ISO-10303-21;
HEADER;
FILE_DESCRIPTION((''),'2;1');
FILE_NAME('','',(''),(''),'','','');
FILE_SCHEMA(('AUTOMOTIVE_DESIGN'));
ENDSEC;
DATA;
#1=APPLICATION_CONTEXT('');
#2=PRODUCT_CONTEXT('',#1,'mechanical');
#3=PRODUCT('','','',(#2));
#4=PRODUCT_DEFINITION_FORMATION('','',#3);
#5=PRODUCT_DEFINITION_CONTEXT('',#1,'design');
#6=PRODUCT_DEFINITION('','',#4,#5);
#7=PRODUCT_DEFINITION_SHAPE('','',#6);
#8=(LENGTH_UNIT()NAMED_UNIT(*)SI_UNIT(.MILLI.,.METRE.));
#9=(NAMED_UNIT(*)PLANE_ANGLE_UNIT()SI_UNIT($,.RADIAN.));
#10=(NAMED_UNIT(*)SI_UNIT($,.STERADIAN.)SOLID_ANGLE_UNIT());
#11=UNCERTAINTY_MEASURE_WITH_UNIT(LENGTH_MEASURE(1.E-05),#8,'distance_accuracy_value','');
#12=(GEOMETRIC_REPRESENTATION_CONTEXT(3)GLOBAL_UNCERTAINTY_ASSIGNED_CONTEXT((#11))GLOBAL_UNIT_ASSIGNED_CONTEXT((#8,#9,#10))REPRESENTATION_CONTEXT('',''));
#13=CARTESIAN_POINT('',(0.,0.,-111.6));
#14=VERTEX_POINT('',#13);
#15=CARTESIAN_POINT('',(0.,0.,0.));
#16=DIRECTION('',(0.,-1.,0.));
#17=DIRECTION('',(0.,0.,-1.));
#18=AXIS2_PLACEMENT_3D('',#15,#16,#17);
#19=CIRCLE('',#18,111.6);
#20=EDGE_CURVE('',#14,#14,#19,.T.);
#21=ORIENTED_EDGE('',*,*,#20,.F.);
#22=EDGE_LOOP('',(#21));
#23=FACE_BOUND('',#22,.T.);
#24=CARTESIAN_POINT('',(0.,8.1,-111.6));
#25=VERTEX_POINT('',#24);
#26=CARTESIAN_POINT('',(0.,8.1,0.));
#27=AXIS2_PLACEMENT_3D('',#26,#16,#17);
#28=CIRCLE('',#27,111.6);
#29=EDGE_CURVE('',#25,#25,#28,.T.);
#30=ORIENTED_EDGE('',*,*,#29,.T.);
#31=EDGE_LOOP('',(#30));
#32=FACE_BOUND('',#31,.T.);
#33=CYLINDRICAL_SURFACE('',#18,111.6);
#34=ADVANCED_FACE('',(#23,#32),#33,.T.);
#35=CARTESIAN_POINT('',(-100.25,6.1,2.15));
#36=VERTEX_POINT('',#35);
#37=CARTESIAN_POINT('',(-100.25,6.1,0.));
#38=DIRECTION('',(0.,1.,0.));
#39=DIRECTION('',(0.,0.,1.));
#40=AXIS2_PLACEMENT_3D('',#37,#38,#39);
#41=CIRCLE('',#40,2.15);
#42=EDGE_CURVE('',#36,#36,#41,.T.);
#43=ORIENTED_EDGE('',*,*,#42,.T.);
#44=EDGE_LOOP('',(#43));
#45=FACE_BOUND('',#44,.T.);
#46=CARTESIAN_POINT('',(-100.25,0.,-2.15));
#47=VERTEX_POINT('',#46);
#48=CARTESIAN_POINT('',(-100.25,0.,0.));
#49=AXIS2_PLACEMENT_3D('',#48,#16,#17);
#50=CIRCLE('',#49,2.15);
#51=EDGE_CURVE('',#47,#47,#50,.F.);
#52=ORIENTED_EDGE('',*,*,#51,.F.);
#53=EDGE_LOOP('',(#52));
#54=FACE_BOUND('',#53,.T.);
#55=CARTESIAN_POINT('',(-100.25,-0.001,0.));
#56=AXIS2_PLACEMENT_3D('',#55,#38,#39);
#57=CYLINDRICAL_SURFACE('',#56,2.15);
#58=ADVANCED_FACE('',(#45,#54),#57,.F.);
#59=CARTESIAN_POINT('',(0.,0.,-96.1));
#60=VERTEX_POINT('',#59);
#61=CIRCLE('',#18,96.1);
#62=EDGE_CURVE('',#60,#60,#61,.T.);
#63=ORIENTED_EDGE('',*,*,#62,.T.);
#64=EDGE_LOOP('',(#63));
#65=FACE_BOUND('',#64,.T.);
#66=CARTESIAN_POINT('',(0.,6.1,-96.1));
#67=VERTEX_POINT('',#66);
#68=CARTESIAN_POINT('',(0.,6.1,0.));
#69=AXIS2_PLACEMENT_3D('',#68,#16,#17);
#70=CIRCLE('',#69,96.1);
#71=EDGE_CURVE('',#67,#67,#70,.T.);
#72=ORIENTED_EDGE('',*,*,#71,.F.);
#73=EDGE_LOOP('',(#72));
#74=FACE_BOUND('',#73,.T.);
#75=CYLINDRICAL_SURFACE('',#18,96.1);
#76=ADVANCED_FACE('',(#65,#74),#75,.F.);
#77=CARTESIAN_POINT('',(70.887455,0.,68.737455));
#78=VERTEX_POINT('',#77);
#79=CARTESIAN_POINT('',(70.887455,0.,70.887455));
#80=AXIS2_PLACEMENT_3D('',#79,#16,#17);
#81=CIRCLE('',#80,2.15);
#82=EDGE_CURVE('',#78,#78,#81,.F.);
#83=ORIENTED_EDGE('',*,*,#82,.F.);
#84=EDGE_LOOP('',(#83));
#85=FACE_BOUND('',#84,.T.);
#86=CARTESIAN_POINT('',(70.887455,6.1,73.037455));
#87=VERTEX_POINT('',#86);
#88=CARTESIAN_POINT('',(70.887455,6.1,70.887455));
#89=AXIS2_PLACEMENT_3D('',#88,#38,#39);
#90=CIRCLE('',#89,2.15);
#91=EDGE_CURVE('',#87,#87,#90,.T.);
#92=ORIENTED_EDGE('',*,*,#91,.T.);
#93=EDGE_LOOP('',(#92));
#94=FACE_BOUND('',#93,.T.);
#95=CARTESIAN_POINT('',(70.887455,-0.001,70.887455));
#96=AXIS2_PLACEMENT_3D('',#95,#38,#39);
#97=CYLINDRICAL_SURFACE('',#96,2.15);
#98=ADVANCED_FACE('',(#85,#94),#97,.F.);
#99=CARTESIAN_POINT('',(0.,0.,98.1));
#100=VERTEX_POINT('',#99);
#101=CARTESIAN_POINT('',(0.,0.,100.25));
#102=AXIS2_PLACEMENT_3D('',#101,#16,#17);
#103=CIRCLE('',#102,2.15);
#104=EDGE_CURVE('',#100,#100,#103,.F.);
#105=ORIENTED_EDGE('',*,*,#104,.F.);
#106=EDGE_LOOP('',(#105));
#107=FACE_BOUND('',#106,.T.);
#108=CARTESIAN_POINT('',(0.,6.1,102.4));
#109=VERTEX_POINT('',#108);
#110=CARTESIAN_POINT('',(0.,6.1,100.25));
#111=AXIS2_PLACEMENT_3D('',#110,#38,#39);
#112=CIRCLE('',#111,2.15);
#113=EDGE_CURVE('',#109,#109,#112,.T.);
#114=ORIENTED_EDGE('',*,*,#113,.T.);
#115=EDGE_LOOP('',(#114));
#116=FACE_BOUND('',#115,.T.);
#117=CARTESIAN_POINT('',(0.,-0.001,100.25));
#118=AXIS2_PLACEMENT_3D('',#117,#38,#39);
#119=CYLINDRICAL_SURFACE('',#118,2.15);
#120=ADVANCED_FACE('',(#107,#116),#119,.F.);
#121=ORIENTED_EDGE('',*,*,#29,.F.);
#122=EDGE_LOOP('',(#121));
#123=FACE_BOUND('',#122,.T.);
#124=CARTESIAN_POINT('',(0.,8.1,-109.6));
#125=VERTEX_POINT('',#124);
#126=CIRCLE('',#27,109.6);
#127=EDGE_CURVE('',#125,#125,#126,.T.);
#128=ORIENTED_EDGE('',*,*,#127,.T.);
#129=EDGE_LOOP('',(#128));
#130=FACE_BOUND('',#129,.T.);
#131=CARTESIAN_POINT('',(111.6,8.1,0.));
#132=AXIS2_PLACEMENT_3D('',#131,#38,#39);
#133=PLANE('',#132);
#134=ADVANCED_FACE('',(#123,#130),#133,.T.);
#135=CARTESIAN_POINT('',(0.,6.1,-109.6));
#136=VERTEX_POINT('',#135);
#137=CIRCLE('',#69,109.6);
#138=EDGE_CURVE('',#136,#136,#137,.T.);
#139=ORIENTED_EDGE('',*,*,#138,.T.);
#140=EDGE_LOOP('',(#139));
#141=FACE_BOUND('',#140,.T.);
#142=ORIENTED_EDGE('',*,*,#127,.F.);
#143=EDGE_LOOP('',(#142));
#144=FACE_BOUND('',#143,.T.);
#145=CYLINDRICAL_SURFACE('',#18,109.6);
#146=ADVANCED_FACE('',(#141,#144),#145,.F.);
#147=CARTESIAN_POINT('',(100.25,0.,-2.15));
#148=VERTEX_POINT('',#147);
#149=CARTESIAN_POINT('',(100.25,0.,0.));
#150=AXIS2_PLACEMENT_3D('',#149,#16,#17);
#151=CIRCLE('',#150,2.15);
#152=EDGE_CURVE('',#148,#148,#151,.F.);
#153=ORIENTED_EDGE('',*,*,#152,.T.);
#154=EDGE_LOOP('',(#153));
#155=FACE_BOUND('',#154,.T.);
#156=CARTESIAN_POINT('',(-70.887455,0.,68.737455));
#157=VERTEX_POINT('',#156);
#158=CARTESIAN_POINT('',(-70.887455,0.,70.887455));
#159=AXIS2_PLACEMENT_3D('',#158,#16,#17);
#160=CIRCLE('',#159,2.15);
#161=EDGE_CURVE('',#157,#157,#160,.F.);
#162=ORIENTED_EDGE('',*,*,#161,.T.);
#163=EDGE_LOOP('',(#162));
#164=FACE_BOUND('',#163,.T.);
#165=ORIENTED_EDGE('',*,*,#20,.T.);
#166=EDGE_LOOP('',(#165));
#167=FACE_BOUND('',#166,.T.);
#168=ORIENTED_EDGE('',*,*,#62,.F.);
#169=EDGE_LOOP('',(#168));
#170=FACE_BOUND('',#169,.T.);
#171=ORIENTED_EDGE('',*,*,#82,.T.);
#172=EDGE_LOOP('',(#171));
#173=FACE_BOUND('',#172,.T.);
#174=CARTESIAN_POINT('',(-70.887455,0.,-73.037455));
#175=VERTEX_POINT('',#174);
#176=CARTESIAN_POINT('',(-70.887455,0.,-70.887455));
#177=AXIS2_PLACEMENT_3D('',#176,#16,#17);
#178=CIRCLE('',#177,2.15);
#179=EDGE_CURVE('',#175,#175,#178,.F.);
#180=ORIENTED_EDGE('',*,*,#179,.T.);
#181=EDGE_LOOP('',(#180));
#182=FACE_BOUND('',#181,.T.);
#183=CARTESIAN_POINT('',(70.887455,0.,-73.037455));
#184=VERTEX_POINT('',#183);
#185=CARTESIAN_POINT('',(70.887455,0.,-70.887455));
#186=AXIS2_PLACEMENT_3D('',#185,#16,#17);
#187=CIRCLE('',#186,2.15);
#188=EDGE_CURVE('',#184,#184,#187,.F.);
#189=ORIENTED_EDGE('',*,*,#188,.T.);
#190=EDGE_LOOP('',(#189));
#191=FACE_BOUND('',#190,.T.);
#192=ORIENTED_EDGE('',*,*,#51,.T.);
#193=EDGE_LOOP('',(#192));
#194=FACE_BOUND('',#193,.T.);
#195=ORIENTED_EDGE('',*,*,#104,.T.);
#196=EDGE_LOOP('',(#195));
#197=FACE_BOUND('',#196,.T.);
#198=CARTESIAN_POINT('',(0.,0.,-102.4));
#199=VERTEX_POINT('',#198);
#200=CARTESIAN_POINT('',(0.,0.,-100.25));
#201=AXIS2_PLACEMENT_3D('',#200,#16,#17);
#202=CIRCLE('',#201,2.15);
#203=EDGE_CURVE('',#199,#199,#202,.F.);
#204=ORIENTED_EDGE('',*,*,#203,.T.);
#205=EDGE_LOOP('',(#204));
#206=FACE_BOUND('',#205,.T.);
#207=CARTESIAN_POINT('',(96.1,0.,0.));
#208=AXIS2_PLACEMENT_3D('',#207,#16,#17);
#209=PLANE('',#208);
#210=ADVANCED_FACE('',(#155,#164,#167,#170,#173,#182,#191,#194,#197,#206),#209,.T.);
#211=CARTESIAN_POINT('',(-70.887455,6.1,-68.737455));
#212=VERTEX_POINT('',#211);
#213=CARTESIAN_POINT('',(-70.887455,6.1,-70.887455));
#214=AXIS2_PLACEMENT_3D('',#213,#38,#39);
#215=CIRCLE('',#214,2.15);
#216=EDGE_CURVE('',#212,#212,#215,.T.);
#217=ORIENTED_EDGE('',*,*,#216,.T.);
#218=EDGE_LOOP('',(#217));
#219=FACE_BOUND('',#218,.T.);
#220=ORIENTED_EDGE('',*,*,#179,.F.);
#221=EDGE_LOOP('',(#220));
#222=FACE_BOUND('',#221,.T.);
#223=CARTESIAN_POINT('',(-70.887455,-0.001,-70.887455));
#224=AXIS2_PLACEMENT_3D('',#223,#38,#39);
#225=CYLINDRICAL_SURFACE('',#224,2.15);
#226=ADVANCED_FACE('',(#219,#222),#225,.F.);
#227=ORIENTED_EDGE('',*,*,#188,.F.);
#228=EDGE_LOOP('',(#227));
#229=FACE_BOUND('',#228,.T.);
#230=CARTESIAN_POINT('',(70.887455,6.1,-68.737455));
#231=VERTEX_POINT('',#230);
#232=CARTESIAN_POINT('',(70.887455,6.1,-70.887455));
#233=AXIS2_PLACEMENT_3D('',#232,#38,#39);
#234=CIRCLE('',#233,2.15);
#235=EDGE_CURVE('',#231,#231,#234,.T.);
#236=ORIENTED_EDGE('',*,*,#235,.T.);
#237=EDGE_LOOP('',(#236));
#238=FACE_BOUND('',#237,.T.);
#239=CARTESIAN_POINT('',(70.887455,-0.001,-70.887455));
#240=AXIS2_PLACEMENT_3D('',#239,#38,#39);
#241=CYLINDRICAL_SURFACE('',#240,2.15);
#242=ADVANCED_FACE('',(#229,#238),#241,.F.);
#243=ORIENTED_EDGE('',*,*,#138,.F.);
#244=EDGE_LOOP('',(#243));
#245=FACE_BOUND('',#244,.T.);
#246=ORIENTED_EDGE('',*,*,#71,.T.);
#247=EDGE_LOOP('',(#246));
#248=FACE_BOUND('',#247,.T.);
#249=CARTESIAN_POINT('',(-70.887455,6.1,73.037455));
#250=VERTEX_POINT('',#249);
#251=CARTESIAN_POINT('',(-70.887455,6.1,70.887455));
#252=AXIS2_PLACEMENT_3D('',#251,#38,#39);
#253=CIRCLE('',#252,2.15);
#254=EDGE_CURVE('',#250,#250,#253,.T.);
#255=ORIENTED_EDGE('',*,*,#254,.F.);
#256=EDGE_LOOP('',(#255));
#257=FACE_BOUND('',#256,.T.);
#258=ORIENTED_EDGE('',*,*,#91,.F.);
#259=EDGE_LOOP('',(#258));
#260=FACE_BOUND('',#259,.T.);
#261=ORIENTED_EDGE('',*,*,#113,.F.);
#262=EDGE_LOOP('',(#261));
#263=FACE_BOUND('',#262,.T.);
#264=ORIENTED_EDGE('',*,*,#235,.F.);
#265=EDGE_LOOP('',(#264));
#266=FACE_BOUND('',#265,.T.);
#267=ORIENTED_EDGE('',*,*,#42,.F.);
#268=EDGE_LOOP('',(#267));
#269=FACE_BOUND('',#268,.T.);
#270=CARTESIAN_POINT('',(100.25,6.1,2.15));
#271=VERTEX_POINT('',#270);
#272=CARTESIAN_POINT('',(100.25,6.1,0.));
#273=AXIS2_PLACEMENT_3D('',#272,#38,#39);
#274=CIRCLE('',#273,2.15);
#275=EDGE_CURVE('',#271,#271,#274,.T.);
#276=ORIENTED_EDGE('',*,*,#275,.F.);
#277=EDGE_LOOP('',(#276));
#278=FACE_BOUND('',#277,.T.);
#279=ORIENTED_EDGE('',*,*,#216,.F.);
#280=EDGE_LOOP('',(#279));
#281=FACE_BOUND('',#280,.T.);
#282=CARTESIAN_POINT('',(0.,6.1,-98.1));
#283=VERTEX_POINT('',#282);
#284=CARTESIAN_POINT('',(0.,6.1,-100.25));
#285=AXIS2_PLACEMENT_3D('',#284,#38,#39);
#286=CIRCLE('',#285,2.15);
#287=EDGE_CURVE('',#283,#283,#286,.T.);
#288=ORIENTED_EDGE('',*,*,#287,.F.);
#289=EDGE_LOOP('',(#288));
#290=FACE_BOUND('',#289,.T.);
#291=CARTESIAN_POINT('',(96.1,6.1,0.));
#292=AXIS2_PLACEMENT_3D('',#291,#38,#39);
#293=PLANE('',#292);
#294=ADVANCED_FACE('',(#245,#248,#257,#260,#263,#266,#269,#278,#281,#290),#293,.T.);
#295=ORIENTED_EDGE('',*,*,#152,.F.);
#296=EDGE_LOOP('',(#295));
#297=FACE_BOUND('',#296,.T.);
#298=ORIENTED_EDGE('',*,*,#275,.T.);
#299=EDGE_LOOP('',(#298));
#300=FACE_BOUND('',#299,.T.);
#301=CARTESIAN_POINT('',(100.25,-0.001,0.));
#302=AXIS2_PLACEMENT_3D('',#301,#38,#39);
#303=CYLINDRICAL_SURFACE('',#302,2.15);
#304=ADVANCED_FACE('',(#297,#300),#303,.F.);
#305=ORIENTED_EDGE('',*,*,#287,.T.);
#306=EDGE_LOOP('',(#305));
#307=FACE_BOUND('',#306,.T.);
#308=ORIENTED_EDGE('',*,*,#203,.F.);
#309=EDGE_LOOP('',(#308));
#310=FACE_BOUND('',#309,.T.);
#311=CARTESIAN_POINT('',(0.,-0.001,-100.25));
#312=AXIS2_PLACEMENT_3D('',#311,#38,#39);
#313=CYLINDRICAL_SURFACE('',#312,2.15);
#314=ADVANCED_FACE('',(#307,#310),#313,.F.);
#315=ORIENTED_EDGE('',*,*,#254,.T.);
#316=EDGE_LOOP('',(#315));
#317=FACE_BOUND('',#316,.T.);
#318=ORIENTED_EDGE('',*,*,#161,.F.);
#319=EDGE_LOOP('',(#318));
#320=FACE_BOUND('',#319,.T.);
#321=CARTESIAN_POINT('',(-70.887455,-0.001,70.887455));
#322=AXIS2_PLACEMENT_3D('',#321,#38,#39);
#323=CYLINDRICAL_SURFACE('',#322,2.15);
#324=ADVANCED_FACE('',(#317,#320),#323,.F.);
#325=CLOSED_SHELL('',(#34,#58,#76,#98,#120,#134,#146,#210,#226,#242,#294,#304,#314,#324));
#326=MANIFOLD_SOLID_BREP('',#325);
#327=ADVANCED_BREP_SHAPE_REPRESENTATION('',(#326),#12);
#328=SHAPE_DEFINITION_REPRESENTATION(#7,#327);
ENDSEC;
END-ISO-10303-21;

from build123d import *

# Parameters (mm, degrees)
CUT_EXTRUDE_1_REACH = 159.944
SKETCH_2_R          = 2.15


with BuildPart() as part:
    # 草图1 → 旋转1 (revolve)
    with BuildSketch(Plane.XY, mode=Mode.PRIVATE) as revolve_1_sk:
        Polygon((111.6, 6.1), (111.6, 8.1), (109.6, 8.1), (109.6, 6.1), (96.1, 6.1), (96.1, 0), (111.6, 0), align=None)
    revolve(revolve_1_sk.sketch.rotate(Axis((0, 0, 0), (0, 1, 0)), 90), axis=Axis((0, 0, 0), (0, 1, 0)))

    # 草图2 → 切除-拉伸1 (cut, up to next)
    with BuildSketch(Plane(origin=(0, 6.1, 0), x_dir=(1, 0, 0), z_dir=(0, 1, 0)), mode=Mode.PRIVATE) as cut_extrude_1_sk1:
        with Locations(Location((-100.25, 0, 0), (0, 0, 270))):
            Circle(SKETCH_2_R)
    cut_extrude_1_tool1 = extrude(cut_extrude_1_sk1.sketch, amount=-CUT_EXTRUDE_1_REACH, mode=Mode.PRIVATE) & part.part
    # 草图2 → 切除-拉伸1 (cut, up to next)
    with BuildSketch(Plane(origin=(0, 6.1, 0), x_dir=(1, 0, 0), z_dir=(0, 1, 0)), mode=Mode.PRIVATE) as cut_extrude_1_sk2:
        with Locations(Location((-70.887454814, 70.887454814, 0), (0, 0, 270))):
            Circle(SKETCH_2_R)
    cut_extrude_1_tool2 = extrude(cut_extrude_1_sk2.sketch, amount=-CUT_EXTRUDE_1_REACH, mode=Mode.PRIVATE) & part.part
    # 草图2 → 切除-拉伸1 (cut, up to next)
    with BuildSketch(Plane(origin=(0, 6.1, 0), x_dir=(1, 0, 0), z_dir=(0, 1, 0)), mode=Mode.PRIVATE) as cut_extrude_1_sk3:
        with Locations(Location((0, 100.25, 0), (0, 0, 270))):
            Circle(SKETCH_2_R)
    cut_extrude_1_tool3 = extrude(cut_extrude_1_sk3.sketch, amount=-CUT_EXTRUDE_1_REACH, mode=Mode.PRIVATE) & part.part
    # 草图2 → 切除-拉伸1 (cut, up to next)
    with BuildSketch(Plane(origin=(0, 6.1, 0), x_dir=(1, 0, 0), z_dir=(0, 1, 0)), mode=Mode.PRIVATE) as cut_extrude_1_sk4:
        with Locations(Location((70.887454814, 70.887454814, 0), (0, 0, 270))):
            Circle(SKETCH_2_R)
    cut_extrude_1_tool4 = extrude(cut_extrude_1_sk4.sketch, amount=-CUT_EXTRUDE_1_REACH, mode=Mode.PRIVATE) & part.part
    # 草图2 → 切除-拉伸1 (cut, up to next)
    with BuildSketch(Plane(origin=(0, 6.1, 0), x_dir=(1, 0, 0), z_dir=(0, 1, 0)), mode=Mode.PRIVATE) as cut_extrude_1_sk5:
        with Locations(Location((100.25, 0, 0), (0, 0, 270))):
            Circle(SKETCH_2_R)
    cut_extrude_1_tool5 = extrude(cut_extrude_1_sk5.sketch, amount=-CUT_EXTRUDE_1_REACH, mode=Mode.PRIVATE) & part.part
    # 草图2 → 切除-拉伸1 (cut, up to next)
    with BuildSketch(Plane(origin=(0, 6.1, 0), x_dir=(1, 0, 0), z_dir=(0, 1, 0)), mode=Mode.PRIVATE) as cut_extrude_1_sk6:
        with Locations(Location((70.887454814, -70.887454814, 0), (0, 0, 270))):
            Circle(SKETCH_2_R)
    cut_extrude_1_tool6 = extrude(cut_extrude_1_sk6.sketch, amount=-CUT_EXTRUDE_1_REACH, mode=Mode.PRIVATE) & part.part
    # 草图2 → 切除-拉伸1 (cut, up to next)
    with BuildSketch(Plane(origin=(0, 6.1, 0), x_dir=(1, 0, 0), z_dir=(0, 1, 0)), mode=Mode.PRIVATE) as cut_extrude_1_sk7:
        with Locations(Location((0, -100.25, 0), (0, 0, 270))):
            Circle(SKETCH_2_R)
    cut_extrude_1_tool7 = extrude(cut_extrude_1_sk7.sketch, amount=-CUT_EXTRUDE_1_REACH, mode=Mode.PRIVATE) & part.part
    # 草图2 → 切除-拉伸1 (cut, up to next)
    with BuildSketch(Plane(origin=(0, 6.1, 0), x_dir=(1, 0, 0), z_dir=(0, 1, 0)), mode=Mode.PRIVATE) as cut_extrude_1_sk8:
        with Locations(Location((-70.887454814, -70.887454814, 0), (0, 0, 270))):
            Circle(SKETCH_2_R)
    cut_extrude_1_tool8 = extrude(cut_extrude_1_sk8.sketch, amount=-CUT_EXTRUDE_1_REACH, mode=Mode.PRIVATE) & part.part
    add(cut_extrude_1_tool1.solids().sort_by_distance((-100.25, 6.1, 0))[0], mode=Mode.SUBTRACT)
    add(cut_extrude_1_tool2.solids().sort_by_distance((-70.887455, 6.1, -70.887455))[0], mode=Mode.SUBTRACT)
    add(cut_extrude_1_tool3.solids().sort_by_distance((0, 6.1, -100.25))[0], mode=Mode.SUBTRACT)
    add(cut_extrude_1_tool4.solids().sort_by_distance((70.887455, 6.1, -70.887455))[0], mode=Mode.SUBTRACT)
    add(cut_extrude_1_tool5.solids().sort_by_distance((100.25, 6.1, 0))[0], mode=Mode.SUBTRACT)
    add(cut_extrude_1_tool6.solids().sort_by_distance((70.887455, 6.1, 70.887455))[0], mode=Mode.SUBTRACT)
    add(cut_extrude_1_tool7.solids().sort_by_distance((0, 6.1, 100.25))[0], mode=Mode.SUBTRACT)
    add(cut_extrude_1_tool8.solids().sort_by_distance((-70.887455, 6.1, 70.887455))[0], mode=Mode.SUBTRACT)


solid = part.part
